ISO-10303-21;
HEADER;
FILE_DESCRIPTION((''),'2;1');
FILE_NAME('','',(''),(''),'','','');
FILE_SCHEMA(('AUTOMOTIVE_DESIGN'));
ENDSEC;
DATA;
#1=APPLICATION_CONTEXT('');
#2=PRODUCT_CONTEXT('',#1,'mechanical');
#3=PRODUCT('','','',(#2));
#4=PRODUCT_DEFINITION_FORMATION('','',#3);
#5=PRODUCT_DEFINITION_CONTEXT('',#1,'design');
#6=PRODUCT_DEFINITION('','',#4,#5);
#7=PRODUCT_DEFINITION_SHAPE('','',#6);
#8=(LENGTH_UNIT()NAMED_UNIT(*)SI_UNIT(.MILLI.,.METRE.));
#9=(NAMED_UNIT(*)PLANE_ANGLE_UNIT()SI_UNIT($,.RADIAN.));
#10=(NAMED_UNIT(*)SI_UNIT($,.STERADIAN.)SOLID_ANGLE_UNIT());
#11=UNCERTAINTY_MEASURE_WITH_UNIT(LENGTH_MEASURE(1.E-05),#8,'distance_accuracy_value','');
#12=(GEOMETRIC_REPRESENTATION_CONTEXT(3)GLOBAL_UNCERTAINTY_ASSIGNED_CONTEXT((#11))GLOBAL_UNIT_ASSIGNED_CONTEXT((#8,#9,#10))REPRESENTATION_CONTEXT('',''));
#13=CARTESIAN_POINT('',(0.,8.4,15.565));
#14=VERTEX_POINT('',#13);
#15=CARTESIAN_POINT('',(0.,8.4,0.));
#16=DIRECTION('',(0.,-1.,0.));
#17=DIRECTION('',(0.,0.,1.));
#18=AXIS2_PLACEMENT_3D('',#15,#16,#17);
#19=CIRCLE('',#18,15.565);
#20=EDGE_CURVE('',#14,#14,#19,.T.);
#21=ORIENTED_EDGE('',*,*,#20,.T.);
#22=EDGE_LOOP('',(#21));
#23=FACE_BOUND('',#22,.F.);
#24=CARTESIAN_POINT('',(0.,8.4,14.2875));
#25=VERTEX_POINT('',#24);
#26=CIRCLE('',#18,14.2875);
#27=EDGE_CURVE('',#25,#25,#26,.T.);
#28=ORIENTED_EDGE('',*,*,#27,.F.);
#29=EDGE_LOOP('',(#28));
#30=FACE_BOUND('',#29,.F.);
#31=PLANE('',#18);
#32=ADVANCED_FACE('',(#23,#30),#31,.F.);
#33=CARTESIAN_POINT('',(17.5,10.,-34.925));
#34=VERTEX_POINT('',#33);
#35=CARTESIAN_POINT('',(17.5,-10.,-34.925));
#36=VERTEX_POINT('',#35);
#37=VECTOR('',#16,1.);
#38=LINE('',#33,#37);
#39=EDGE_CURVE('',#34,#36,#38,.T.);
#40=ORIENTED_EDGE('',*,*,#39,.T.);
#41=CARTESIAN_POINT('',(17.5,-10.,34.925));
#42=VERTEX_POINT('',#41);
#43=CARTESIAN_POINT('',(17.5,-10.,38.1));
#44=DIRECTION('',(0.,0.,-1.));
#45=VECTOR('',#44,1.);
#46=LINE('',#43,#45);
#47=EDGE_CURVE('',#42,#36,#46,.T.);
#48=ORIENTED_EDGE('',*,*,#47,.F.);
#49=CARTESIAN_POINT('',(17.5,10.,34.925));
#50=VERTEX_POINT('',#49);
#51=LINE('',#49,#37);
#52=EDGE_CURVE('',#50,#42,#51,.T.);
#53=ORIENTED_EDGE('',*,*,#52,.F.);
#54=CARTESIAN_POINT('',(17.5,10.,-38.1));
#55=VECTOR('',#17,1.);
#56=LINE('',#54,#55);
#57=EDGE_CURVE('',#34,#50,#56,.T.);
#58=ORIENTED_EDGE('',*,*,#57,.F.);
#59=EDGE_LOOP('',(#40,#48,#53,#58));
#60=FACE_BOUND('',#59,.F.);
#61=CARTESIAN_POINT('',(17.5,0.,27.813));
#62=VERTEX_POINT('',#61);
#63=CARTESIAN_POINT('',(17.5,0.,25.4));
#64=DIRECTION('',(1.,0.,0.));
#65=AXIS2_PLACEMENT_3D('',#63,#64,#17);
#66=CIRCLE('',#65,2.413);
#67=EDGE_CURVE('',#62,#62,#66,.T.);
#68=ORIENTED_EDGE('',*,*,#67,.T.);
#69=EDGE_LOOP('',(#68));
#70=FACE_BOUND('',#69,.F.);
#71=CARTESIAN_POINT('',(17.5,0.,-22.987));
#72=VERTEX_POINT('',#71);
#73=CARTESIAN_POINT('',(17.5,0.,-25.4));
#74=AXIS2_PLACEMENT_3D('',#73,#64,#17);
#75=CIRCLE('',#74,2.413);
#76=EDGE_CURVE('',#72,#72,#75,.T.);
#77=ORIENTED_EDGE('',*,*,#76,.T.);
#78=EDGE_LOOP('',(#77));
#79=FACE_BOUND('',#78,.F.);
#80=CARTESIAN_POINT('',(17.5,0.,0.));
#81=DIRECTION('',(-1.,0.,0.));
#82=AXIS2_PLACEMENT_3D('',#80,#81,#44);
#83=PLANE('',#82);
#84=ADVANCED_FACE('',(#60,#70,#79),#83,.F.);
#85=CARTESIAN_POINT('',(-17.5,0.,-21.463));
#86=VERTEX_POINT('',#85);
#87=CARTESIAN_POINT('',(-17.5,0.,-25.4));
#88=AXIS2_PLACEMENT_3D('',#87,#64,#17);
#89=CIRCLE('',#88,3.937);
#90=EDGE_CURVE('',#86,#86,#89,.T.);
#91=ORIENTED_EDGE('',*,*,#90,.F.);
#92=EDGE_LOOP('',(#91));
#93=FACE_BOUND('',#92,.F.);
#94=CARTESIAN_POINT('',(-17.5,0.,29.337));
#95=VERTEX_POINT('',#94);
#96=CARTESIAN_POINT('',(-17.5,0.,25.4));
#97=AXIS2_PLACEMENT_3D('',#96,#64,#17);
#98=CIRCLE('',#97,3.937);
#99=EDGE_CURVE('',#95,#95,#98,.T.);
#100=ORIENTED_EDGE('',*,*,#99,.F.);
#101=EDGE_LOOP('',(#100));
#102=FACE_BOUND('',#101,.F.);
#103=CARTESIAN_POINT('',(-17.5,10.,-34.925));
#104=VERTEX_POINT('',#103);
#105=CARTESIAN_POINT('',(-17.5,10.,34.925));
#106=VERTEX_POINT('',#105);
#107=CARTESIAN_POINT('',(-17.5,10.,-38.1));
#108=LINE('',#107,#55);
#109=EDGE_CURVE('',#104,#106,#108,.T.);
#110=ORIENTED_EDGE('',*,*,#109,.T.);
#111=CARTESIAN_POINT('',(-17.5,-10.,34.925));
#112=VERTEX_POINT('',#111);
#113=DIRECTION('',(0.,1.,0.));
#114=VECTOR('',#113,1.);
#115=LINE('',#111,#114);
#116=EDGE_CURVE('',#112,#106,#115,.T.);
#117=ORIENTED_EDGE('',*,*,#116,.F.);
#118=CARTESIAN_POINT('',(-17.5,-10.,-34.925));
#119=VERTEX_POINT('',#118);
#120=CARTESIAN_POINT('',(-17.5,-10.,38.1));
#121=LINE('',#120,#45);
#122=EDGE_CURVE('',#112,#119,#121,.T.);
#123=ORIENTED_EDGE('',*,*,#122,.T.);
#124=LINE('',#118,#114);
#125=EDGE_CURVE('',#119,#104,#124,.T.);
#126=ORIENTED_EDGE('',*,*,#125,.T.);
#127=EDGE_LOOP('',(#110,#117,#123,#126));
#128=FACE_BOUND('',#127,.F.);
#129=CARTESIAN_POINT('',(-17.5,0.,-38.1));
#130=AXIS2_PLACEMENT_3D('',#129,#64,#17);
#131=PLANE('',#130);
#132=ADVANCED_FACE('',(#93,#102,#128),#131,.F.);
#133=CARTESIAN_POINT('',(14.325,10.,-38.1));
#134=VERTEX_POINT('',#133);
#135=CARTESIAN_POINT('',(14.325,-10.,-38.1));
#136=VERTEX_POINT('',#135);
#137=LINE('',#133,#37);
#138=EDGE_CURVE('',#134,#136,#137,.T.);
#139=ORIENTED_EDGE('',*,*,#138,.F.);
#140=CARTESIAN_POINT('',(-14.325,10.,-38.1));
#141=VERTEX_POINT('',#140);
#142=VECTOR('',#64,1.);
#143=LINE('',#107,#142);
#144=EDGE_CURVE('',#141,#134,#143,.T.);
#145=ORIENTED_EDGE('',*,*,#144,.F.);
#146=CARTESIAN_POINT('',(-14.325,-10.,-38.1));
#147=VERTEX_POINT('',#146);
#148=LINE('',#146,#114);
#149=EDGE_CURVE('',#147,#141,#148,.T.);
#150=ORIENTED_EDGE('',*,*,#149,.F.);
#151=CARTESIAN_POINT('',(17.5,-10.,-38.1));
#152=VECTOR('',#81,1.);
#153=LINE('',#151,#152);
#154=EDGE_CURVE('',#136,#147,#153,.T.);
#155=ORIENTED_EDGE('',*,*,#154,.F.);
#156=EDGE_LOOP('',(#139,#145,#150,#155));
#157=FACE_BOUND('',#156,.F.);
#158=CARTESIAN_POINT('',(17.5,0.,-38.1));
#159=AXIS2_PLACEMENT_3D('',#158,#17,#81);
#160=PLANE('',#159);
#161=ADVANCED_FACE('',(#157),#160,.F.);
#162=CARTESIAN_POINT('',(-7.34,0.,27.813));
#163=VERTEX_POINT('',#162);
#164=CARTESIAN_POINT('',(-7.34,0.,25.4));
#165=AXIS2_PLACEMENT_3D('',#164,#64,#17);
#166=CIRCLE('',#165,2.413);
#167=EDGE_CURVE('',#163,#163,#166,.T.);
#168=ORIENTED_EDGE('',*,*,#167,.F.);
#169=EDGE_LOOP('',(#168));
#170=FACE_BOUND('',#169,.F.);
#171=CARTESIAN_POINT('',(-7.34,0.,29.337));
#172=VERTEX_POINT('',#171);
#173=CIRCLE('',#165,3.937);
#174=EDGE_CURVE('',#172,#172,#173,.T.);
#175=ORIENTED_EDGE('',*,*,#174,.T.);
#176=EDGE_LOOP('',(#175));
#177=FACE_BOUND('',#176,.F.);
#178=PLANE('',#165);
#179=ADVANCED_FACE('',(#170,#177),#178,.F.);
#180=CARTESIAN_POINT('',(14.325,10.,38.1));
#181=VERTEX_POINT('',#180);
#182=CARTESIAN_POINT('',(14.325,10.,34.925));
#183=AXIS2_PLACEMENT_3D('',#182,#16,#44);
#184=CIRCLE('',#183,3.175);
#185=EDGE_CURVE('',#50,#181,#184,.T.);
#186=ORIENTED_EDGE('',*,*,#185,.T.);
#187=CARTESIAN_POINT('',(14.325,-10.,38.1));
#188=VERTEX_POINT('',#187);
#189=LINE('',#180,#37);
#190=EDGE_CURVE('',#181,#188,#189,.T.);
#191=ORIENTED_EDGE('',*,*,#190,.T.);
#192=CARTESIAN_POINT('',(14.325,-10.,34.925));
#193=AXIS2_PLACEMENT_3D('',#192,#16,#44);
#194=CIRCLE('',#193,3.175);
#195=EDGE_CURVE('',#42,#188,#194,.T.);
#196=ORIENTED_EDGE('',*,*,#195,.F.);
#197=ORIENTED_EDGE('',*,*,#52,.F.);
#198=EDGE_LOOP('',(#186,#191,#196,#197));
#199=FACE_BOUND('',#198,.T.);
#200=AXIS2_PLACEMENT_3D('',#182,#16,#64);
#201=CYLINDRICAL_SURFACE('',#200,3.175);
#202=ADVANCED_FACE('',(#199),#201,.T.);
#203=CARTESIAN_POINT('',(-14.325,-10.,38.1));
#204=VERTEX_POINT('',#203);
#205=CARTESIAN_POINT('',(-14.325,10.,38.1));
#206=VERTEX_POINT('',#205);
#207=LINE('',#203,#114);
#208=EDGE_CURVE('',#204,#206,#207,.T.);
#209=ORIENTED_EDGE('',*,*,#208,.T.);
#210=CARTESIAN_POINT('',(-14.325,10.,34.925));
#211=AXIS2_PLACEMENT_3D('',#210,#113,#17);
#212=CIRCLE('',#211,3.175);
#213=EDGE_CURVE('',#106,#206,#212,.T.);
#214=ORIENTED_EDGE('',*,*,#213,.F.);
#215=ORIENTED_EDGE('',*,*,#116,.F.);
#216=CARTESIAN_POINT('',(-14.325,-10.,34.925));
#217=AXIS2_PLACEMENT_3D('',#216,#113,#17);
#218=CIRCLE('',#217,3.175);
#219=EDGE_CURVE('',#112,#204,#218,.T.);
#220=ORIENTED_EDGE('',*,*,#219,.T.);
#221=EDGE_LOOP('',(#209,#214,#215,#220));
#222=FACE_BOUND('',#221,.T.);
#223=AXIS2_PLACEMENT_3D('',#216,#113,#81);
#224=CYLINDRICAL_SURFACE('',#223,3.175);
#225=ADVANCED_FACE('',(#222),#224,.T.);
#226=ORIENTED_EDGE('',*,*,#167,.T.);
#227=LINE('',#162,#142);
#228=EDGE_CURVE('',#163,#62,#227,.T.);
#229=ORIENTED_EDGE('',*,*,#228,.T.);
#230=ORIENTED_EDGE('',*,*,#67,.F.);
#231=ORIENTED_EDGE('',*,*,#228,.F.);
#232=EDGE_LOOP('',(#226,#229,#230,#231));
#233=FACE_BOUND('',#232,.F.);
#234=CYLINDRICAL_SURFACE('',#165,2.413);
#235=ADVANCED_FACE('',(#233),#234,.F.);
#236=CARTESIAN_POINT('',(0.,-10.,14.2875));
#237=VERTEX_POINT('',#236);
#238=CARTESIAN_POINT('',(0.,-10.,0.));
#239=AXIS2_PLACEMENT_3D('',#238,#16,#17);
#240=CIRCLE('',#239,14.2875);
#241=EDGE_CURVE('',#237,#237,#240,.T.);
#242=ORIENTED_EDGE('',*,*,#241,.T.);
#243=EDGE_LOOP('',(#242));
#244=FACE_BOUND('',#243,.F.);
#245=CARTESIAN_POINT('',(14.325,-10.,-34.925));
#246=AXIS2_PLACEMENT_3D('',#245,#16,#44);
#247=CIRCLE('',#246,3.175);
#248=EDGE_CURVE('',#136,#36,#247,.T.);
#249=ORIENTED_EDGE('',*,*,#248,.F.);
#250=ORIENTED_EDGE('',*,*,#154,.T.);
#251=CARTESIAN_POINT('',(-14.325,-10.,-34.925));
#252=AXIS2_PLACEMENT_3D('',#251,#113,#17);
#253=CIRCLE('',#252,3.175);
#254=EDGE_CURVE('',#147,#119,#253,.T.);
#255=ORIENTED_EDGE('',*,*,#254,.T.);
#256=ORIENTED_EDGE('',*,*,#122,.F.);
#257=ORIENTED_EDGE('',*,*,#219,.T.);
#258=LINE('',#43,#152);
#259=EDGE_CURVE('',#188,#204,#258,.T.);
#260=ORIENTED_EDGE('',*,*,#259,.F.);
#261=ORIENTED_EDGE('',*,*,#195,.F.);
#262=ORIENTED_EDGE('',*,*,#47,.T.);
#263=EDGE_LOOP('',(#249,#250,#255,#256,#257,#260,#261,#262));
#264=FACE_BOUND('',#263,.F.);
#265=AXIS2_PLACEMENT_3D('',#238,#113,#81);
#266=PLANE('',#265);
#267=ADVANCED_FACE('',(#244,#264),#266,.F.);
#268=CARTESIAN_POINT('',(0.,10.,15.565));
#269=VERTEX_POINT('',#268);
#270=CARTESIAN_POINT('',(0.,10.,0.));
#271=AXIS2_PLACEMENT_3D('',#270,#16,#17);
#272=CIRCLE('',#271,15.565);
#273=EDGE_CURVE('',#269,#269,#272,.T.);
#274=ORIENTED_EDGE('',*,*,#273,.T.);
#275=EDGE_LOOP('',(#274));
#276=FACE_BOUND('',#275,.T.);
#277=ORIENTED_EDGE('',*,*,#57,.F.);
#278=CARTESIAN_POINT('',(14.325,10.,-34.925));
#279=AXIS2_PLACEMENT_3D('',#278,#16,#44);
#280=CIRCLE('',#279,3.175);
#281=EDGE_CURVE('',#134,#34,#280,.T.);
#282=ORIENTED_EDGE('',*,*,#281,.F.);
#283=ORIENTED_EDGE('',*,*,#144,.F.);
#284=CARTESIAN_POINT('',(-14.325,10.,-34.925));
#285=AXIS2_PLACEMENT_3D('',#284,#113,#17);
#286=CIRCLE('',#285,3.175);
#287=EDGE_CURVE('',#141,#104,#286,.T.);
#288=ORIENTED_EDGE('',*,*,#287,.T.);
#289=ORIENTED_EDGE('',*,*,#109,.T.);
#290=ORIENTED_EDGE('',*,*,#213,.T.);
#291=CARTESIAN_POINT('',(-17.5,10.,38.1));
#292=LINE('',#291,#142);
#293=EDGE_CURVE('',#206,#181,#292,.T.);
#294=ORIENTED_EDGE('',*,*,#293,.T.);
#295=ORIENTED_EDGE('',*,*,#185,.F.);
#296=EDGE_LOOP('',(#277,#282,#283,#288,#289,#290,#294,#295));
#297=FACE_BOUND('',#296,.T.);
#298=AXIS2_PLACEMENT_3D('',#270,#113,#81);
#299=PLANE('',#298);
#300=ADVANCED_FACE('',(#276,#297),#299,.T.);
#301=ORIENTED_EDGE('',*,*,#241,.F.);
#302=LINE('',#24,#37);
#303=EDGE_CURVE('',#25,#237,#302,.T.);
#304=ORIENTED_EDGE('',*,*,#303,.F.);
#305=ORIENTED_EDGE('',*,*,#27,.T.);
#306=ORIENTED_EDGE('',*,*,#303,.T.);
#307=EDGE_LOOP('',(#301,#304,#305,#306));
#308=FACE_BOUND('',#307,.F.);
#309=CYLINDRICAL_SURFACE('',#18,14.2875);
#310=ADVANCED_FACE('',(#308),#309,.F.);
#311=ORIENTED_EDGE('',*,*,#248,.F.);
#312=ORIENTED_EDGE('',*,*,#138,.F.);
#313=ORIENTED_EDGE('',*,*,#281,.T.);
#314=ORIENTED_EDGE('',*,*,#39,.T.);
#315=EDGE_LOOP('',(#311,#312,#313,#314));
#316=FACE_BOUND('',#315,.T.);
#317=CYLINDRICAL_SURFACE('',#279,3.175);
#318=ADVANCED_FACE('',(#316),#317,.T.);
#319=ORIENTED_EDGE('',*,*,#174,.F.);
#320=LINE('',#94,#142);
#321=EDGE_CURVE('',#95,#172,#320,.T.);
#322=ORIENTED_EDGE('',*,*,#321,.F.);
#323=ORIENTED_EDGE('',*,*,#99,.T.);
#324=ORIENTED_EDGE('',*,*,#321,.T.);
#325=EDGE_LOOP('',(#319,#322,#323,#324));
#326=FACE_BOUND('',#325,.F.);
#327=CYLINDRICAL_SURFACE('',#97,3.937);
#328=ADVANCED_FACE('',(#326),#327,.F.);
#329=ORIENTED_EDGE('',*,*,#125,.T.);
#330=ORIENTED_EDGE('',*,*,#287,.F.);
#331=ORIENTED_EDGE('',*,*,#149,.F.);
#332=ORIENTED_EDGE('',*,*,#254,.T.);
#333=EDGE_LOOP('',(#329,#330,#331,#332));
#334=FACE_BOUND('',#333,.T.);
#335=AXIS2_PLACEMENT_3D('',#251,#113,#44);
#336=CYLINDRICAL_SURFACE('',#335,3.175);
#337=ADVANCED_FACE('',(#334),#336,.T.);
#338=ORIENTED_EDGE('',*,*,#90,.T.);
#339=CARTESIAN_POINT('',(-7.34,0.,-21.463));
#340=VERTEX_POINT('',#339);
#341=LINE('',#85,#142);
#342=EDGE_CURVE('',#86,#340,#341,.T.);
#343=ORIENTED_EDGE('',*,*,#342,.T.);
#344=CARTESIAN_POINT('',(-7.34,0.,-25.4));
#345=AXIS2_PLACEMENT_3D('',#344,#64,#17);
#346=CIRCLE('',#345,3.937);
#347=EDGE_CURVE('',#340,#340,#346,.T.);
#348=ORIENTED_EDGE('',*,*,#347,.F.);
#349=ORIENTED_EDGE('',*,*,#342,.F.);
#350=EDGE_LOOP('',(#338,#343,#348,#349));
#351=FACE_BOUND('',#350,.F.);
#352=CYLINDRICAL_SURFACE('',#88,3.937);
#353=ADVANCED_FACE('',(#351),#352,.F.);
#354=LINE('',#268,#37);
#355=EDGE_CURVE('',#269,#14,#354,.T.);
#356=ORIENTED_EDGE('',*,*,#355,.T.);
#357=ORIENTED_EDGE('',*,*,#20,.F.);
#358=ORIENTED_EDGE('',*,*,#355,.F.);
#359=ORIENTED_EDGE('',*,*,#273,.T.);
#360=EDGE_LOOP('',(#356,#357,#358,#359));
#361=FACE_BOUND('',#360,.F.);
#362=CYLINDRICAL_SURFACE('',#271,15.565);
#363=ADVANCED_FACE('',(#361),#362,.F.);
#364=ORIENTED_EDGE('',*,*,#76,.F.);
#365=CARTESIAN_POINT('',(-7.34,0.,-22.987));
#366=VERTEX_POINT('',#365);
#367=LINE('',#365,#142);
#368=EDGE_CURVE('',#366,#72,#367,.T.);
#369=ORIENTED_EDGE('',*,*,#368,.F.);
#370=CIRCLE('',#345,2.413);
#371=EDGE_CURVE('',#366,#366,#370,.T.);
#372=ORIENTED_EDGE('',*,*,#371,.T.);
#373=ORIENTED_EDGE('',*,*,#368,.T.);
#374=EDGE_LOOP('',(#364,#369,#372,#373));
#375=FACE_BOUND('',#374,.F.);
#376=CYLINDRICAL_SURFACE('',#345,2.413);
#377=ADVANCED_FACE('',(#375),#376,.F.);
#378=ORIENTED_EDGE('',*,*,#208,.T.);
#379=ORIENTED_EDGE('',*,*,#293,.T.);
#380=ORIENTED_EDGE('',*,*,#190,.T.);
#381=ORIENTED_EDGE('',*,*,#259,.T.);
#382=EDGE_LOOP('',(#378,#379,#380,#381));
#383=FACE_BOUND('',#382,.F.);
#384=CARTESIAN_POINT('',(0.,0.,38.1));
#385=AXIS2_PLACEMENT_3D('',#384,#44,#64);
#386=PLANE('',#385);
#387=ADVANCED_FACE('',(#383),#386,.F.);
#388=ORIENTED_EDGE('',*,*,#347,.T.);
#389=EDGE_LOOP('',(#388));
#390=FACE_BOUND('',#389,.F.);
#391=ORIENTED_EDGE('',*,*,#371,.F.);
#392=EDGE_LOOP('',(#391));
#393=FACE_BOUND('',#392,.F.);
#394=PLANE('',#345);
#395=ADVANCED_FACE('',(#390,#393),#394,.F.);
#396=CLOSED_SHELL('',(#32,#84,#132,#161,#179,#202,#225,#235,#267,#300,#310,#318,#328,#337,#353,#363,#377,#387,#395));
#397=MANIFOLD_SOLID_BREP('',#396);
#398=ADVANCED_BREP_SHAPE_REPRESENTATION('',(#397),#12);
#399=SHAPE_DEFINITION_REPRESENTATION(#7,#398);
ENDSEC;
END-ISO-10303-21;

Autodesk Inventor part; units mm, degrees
ref_plane "YZ Plane" through (0, 0, 0) normal (1, 0, 0) x (0, 1, 0)
ref_plane "XZ Plane" through (0, 0, 0) normal (0, 1, 0) x (-1, 0, 0)
ref_plane "XY Plane" through (0, 0, 0) normal (0, 0, 1) x (1, 0, 0)
sketch "Sketch1" plane through (0, 0, 0) normal (0, 1, 0) x (-1, 0, 0)
  line L0 (0, -53.34) -> (0, 53.34) projected
  line L1 (-24.5, 0) -> (24.5, 0) projected
  line L2 (24.5, 0) -> (-24.5, 0) projected
  line L3 (0, -53.34) -> (0, 53.34) projected
  line L4 (-17.5, 38.1) -> (-17.5, -38.1)
  line L5 (-17.5, -38.1) -> (17.5, -38.1)
  line L6 (17.5, -38.1) -> (17.5, 38.1)
  line L7 (17.5, 38.1) -> (-17.5, 38.1)
  line L8 (-17.5, -38.1) -> (17.5, 38.1) construction
  point P0 (0, 0)
  dimension "d1" = 76.2
  dimension "d2" = 35
extrude "Extrusion1" add sketch "Sketch1" along normal mid plane 20
sketch "Sketch2" plane through (0, 10, 0) normal (0, 1, 0) x (1, 0, 0)
  point P0 (0, 0)
  point P1 (0, 0)
hole "Hole1" at (0, 10, 0) direction (0, -1, 0) diameter 28.575 end through all counterbore diameter 31.13 counterbore depth 1.6
fillet "Fillet1" radius 3.175 4 edges at (17.5, 0, 38.1) (17.5, 0, -38.1) (-17.5, 0, 38.1) (-17.5, 0, -38.1)
sketch "Sketch3" plane through (-17.5, -10, -34.925) normal (-1, 0, 0) x (0, 0, 1)
  line L0 (0, 0) -> (0, 20) projected
  line L1 (69.85, 0) -> (0, 0) projected
  line L2 (69.85, 20) -> (69.85, 0) projected
  line L3 (0, 20) -> (69.85, 20) projected
  line L4 (0, 20) -> (0, 0) projected
  line L5 (0, 0) -> (69.85, 0)
  line L6 (69.85, 0) -> (69.85, 20)
  line L7 (69.85, 20) -> (0, 20)
  line L8 (0, 20) -> (0, 0)
  line L9 (19.36, 20) -> (50.49, 20) projected
  line L10 (34.925, 20) -> (34.925, 0)
  line L11 (0, 10) -> (69.85, 10)
  line L12 (69.85, 0) -> (69.85, 20) projected
  point P0 (34.925, 10)
  point P1 (9.525, 10)
  point P2 (60.325, 10)
  dimension "d19" = 25.4
  dimension "d20" = 25.4
hole "Hole2" at (-17.5, 0, -25.4) at (-17.5, 0, 25.4) direction (1, 0, 0) diameter 4.826 end through all counterbore diameter 7.874 counterbore depth 10.16
properties part number "BearingBlock30mmRight"
